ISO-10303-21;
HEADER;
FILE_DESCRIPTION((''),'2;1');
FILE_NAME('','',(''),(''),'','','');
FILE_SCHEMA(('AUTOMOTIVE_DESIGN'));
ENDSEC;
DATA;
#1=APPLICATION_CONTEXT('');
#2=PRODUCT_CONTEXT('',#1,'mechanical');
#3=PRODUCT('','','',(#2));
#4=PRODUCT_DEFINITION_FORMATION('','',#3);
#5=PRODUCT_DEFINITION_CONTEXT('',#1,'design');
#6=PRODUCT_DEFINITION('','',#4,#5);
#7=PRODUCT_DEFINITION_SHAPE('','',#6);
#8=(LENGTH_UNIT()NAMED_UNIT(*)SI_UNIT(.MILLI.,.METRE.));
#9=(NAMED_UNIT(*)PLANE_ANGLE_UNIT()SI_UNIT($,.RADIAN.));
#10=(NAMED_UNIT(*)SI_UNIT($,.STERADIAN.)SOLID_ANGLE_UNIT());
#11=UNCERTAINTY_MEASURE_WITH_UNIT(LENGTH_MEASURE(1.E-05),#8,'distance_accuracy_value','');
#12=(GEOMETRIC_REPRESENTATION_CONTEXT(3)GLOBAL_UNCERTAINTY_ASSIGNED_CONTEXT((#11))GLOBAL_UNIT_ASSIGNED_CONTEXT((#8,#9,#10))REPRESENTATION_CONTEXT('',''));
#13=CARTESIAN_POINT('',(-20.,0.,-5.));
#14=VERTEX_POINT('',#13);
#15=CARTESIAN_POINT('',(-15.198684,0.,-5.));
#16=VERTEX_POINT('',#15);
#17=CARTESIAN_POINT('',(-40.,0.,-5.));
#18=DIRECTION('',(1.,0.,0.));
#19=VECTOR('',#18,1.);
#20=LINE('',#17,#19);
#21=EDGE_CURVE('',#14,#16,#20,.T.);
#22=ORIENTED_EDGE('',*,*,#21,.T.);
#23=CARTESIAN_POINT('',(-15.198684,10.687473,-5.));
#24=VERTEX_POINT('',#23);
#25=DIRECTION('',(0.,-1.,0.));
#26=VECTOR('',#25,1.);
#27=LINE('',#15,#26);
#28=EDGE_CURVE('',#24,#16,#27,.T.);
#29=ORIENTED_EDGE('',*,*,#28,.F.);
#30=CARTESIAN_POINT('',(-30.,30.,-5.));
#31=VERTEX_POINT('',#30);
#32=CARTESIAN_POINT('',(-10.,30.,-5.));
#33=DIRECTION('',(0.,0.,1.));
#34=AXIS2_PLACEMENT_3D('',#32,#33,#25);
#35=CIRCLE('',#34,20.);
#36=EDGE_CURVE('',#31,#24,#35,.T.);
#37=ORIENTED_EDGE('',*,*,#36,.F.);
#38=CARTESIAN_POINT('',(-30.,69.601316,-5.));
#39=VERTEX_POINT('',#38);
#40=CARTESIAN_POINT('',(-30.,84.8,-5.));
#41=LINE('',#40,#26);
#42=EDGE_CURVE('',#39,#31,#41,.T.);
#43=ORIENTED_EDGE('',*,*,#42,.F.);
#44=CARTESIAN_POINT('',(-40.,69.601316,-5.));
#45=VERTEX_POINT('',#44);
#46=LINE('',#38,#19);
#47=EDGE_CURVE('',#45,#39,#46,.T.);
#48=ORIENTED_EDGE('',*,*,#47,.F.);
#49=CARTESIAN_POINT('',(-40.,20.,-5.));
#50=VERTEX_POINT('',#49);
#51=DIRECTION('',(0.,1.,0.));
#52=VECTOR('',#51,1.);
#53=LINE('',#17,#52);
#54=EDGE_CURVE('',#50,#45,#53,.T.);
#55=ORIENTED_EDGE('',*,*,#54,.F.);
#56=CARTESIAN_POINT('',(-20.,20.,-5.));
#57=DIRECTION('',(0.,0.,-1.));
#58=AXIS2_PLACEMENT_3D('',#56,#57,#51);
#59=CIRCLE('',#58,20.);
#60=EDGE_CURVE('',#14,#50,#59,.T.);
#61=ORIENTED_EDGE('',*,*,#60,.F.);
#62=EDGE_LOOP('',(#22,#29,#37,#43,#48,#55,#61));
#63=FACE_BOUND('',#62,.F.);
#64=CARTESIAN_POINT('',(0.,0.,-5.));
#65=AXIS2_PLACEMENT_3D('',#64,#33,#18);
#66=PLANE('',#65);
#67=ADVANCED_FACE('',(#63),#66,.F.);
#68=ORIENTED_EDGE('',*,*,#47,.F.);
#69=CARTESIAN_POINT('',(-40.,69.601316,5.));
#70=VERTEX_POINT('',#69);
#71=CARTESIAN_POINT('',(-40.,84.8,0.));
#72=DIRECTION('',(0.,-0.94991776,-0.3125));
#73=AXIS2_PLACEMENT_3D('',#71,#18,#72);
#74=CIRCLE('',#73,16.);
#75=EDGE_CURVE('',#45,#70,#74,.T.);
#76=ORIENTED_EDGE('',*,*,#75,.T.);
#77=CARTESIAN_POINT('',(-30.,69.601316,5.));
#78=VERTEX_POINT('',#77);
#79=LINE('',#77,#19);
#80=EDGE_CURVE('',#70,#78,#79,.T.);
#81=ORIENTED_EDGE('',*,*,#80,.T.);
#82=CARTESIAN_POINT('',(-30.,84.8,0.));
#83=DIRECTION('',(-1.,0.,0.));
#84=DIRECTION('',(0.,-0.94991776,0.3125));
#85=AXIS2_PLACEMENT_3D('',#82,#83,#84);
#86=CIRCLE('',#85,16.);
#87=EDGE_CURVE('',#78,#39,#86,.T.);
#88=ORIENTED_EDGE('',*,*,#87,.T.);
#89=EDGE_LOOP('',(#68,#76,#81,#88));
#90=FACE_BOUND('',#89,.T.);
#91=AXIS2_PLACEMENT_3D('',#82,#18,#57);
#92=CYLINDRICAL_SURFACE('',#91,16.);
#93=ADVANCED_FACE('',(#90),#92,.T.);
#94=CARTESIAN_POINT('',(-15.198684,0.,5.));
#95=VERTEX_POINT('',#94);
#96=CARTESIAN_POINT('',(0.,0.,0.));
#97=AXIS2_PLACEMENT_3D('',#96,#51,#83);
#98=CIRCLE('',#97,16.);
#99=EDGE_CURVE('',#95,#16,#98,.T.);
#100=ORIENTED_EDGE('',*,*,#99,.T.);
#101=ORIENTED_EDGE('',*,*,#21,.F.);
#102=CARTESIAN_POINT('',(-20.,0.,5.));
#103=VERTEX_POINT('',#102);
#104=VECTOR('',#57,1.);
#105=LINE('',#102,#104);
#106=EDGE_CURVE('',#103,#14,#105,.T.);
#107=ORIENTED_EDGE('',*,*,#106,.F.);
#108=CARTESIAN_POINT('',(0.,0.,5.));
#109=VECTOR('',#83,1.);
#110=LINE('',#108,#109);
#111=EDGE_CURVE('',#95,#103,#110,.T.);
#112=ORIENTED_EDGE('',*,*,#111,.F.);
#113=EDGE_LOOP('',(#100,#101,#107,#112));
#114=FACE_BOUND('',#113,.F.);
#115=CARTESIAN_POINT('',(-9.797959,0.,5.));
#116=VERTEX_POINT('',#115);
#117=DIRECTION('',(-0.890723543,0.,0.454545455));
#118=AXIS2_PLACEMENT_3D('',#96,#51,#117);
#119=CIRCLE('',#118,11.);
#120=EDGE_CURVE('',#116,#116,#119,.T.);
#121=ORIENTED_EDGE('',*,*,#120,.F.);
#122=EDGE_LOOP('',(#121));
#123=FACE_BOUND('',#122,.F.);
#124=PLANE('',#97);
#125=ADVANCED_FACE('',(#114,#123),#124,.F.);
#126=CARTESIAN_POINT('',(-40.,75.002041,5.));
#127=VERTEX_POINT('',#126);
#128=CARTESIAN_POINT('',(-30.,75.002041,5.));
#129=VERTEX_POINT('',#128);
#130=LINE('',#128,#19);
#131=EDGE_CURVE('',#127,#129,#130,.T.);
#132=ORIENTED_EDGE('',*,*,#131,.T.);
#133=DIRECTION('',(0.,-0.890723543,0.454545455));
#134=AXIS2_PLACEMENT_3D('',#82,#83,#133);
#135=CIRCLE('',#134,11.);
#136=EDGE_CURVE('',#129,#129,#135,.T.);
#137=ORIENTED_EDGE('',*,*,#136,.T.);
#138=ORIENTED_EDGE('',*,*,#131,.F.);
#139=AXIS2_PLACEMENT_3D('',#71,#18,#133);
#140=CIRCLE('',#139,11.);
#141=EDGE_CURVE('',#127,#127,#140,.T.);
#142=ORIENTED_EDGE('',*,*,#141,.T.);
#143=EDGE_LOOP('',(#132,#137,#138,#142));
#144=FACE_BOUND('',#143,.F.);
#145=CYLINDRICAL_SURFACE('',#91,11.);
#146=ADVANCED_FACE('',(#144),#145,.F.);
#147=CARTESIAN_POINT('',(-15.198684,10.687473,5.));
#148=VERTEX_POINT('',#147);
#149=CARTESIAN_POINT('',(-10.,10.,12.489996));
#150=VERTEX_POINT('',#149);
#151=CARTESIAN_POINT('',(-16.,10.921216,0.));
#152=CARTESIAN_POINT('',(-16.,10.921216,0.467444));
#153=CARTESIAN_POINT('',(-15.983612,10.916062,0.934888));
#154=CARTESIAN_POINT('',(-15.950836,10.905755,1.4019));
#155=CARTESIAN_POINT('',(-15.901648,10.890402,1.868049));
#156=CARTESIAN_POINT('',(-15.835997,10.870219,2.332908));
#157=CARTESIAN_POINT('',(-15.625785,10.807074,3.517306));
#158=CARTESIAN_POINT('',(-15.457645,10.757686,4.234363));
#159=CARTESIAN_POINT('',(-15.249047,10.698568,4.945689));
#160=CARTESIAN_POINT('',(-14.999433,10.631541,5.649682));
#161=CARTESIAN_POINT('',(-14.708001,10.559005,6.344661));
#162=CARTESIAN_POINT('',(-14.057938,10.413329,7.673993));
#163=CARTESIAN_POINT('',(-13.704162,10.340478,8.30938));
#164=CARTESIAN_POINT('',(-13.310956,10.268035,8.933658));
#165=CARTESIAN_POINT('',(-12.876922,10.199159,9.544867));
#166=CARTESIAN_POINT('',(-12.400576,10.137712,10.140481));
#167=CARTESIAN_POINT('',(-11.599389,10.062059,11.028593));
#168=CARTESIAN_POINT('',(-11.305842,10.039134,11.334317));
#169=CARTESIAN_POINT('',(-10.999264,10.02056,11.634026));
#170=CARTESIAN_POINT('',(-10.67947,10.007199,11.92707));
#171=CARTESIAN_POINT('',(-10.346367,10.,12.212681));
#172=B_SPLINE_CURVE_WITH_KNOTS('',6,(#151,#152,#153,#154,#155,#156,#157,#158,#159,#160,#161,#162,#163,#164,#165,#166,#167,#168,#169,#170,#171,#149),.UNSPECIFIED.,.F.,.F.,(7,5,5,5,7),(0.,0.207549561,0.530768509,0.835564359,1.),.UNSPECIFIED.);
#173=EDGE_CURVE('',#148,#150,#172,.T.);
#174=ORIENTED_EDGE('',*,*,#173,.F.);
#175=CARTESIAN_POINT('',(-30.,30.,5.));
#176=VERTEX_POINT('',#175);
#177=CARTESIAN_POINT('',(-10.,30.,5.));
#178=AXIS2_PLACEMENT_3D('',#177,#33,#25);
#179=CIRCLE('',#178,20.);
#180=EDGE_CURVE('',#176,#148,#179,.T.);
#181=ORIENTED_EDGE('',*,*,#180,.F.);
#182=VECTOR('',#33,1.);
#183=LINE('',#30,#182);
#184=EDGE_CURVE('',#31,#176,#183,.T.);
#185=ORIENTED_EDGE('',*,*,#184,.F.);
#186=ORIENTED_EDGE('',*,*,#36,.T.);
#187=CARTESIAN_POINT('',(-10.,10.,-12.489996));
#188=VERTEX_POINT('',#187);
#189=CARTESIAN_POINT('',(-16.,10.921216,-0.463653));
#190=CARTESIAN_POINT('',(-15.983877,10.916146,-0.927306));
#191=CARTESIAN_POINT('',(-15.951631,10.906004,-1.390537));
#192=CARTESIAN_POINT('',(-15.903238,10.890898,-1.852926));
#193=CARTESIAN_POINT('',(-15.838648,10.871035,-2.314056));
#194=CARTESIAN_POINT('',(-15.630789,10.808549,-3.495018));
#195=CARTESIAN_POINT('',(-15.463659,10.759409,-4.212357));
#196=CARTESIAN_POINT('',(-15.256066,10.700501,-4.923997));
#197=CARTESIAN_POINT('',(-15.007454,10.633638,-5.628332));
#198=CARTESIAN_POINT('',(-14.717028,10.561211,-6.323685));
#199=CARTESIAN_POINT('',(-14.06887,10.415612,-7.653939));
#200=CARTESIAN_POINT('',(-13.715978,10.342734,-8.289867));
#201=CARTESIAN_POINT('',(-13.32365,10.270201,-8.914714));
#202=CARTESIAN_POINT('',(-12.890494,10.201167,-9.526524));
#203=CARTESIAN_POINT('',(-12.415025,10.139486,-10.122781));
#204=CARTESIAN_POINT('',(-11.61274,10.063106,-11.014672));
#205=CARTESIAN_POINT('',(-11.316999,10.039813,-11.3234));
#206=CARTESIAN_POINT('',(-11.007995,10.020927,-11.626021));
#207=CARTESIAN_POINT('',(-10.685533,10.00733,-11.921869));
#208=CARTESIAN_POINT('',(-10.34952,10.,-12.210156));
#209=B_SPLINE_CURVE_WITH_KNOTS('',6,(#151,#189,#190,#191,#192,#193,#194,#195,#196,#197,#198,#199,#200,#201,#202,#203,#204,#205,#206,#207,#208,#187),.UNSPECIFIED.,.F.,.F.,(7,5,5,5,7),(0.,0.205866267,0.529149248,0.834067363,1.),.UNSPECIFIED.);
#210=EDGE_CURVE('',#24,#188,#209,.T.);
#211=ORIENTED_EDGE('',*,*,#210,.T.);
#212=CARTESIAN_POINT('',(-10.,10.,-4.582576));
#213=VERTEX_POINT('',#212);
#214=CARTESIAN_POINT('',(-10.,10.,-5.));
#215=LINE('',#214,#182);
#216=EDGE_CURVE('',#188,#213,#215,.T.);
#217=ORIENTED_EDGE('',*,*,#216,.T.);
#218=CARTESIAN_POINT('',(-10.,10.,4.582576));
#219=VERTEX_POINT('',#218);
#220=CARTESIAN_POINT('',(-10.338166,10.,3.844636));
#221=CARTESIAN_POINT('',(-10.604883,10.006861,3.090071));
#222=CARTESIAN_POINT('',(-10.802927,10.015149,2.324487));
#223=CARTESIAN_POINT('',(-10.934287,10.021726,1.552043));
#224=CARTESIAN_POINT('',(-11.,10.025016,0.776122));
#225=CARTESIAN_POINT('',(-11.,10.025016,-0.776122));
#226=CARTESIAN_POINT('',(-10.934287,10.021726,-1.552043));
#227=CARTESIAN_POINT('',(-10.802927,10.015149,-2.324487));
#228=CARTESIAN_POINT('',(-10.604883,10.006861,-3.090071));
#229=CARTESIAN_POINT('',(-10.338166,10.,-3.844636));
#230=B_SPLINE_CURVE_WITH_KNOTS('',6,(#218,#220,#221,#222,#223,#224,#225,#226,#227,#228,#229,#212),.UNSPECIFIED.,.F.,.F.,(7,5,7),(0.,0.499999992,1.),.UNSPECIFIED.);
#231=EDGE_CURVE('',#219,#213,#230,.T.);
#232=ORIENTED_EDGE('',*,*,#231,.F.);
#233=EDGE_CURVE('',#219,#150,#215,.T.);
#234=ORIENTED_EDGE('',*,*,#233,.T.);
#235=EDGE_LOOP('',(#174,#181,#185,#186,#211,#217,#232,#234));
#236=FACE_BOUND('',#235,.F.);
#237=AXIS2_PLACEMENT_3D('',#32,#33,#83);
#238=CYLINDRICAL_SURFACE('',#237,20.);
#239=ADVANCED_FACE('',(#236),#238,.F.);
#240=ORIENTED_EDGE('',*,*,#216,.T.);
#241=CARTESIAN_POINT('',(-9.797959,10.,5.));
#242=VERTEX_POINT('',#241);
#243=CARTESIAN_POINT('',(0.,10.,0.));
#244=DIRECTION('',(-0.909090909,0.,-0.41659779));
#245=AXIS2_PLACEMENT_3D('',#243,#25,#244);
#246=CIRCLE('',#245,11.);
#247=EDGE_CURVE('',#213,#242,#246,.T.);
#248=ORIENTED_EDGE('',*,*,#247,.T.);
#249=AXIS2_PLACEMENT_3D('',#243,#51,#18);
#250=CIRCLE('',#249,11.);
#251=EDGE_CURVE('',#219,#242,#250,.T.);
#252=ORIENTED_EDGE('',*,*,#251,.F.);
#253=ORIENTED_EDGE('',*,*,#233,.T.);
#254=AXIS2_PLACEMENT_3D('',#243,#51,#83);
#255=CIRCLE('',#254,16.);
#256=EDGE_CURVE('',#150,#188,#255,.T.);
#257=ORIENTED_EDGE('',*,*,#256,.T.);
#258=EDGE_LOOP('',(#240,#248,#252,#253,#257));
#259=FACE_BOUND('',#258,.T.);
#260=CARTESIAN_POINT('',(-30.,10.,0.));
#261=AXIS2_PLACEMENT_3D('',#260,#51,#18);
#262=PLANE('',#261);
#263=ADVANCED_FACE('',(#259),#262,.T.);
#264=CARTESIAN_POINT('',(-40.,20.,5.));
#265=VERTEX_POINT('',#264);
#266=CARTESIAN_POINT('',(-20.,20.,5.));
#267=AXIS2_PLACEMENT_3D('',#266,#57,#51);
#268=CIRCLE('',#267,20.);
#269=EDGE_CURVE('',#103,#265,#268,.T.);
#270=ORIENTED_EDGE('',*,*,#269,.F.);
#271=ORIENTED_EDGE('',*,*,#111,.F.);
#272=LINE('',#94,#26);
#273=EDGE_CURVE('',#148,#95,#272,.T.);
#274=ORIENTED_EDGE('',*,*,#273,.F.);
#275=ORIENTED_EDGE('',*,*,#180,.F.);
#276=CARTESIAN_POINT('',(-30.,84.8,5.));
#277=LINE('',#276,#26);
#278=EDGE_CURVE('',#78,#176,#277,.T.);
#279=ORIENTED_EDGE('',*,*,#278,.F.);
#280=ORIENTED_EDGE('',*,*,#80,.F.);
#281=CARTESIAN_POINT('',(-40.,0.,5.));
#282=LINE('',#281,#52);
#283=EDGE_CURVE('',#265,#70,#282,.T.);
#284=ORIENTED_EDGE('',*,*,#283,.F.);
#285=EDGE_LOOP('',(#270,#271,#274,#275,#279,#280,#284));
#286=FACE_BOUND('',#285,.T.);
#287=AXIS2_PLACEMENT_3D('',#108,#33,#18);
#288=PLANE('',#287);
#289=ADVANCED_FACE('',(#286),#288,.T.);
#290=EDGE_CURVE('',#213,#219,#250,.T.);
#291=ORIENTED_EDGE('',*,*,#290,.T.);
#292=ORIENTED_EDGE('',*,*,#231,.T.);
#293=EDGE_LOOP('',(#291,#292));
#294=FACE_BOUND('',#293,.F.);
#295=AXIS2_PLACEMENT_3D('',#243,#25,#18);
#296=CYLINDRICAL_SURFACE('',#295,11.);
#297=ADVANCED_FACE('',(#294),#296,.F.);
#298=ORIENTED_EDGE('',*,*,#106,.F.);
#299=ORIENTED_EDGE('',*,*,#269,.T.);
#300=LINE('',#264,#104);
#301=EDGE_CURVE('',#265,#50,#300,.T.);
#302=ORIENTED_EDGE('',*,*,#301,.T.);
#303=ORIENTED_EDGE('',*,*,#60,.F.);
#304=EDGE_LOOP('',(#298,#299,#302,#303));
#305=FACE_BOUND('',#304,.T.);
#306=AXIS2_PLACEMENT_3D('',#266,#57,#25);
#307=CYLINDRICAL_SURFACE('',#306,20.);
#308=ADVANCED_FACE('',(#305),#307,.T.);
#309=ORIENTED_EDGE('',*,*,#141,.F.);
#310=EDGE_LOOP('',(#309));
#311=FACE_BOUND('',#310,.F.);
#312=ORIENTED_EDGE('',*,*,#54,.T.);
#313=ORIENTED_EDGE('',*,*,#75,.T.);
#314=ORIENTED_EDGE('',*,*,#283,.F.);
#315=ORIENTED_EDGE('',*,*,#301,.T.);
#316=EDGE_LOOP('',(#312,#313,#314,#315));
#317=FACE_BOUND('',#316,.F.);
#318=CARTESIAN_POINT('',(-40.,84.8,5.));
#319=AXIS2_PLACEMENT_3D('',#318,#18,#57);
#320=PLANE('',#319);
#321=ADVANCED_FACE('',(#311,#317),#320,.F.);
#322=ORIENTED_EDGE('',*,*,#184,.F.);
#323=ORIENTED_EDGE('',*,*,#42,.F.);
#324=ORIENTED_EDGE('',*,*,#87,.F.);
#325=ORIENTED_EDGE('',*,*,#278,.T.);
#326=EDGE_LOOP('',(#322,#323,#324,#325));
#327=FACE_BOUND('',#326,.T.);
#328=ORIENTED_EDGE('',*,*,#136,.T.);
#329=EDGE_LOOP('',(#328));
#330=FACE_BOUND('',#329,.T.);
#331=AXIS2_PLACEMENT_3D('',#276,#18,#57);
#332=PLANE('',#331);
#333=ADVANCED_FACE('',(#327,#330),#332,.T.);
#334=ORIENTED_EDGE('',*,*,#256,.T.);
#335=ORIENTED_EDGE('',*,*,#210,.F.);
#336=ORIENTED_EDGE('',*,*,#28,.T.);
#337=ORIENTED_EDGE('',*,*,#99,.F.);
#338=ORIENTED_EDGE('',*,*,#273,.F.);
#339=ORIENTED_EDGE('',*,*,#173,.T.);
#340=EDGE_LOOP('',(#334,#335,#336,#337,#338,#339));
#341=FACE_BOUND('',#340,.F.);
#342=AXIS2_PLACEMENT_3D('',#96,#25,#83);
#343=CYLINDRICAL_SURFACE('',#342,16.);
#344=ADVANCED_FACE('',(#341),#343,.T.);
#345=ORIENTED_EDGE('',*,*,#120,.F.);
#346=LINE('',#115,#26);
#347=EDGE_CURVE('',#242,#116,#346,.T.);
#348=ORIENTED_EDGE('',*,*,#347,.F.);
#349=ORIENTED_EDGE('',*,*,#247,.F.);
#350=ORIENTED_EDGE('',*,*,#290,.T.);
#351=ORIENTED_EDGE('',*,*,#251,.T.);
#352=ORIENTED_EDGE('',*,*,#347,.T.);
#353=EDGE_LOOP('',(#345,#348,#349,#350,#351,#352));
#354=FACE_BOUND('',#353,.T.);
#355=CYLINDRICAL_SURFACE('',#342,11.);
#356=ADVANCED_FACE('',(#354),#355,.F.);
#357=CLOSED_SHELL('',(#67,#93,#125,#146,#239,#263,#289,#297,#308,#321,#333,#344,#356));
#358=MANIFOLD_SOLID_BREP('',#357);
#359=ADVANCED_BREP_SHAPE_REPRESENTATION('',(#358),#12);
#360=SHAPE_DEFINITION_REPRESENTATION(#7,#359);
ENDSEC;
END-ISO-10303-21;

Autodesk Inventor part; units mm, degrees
ref_plane "YZ Plane" through (0, 0, 0) normal (1, 0, 0) x (0, 1, 0)
ref_plane "XZ Plane" through (0, 0, 0) normal (0, 1, 0) x (-1, 0, 0)
ref_plane "XY Plane" through (0, 0, 0) normal (0, 0, 1) x (1, 0, 0)
sketch "Szkic2" plane through (0, 0, 0) normal (0, 1, 0) x (-1, 0, 0)
  circle A0 centre (0, 0) radius 11
  circle A1 centre (0, 0) radius 16
  dimension "d0" = 22
  dimension "d1" = 5
extrude "Wyciągnięcie proste1" add sketch "Szkic2" along normal blind 10
sketch "Szkic4" plane through (0, 0, 0) normal (0, 0, 1) x (1, 0, 0)
  line L0 (0, 0) -> (-30, 0)
  line L1 (-30, 0) -> (-30, 10)
  line L2 (-30, 10) -> (0, 10)
  line L3 (0, 10) -> (0, 0)
  line L4 (-30, 0) -> (-40, 0)
  line L5 (-40, 0) -> (-40, 84.8)
  line L6 (-40, 84.8) -> (-30, 84.8)
  line L7 (-30, 84.8) -> (-30, 0)
  dimension "d7" = 84.8
  dimension "d8" = 30
  dimension "d9" = 10
  dimension "d10" = 10
extrude "Wyciągnięcie proste2" add sketch "Szkic4" along normal mid plane 10
fillet "Zaokrąglenie1" radius 20 2 edges at (-40, 0, 0) (-30, 10, 0)
sketch "Szkic7" plane through (-30, 84.8, 5) normal (1, 0, 0) x (0, 0, -1)
  line L0 (10, 0) -> (0, 0) projected
  circle A0 centre (5, 0) radius 11
  circle A1 centre (5, 0) radius 16
  point P0 (5, -84.8)
  dimension "d14" = 22
  dimension "d15" = 32
extrude "Wyciągnięcie proste3" add sketch "Szkic7" against normal blind 10
sketch "Szkic8" plane through (0, 10, 0) normal (0, 1, 0) x (1, 0, 0)
  circle A0 centre (0, 0) radius 11
extrude "Wyciągnięcie proste4" cut sketch "Szkic8" against normal blind 10
sketch "Szkic9" plane through (0, 10, 0) normal (0, -1, 0) x (1, 0, 0)
  circle A0 centre (0, 0) radius 11
extrude "Wyciągnięcie proste5" cut sketch "Szkic9" against normal blind 10
sketch "Szkic10" plane through (-30, 30, 5) normal (1, 0, 0) x (0, 0, -1)
  line L0 (10, 54.8) -> (0, 54.8) projected
  circle A0 centre (5, 54.8) radius 11
  point P0 (5, -30)
extrude "Wyciągnięcie proste6" cut sketch "Szkic10" against normal blind 10
properties part number "Gora-gora-ramie"
